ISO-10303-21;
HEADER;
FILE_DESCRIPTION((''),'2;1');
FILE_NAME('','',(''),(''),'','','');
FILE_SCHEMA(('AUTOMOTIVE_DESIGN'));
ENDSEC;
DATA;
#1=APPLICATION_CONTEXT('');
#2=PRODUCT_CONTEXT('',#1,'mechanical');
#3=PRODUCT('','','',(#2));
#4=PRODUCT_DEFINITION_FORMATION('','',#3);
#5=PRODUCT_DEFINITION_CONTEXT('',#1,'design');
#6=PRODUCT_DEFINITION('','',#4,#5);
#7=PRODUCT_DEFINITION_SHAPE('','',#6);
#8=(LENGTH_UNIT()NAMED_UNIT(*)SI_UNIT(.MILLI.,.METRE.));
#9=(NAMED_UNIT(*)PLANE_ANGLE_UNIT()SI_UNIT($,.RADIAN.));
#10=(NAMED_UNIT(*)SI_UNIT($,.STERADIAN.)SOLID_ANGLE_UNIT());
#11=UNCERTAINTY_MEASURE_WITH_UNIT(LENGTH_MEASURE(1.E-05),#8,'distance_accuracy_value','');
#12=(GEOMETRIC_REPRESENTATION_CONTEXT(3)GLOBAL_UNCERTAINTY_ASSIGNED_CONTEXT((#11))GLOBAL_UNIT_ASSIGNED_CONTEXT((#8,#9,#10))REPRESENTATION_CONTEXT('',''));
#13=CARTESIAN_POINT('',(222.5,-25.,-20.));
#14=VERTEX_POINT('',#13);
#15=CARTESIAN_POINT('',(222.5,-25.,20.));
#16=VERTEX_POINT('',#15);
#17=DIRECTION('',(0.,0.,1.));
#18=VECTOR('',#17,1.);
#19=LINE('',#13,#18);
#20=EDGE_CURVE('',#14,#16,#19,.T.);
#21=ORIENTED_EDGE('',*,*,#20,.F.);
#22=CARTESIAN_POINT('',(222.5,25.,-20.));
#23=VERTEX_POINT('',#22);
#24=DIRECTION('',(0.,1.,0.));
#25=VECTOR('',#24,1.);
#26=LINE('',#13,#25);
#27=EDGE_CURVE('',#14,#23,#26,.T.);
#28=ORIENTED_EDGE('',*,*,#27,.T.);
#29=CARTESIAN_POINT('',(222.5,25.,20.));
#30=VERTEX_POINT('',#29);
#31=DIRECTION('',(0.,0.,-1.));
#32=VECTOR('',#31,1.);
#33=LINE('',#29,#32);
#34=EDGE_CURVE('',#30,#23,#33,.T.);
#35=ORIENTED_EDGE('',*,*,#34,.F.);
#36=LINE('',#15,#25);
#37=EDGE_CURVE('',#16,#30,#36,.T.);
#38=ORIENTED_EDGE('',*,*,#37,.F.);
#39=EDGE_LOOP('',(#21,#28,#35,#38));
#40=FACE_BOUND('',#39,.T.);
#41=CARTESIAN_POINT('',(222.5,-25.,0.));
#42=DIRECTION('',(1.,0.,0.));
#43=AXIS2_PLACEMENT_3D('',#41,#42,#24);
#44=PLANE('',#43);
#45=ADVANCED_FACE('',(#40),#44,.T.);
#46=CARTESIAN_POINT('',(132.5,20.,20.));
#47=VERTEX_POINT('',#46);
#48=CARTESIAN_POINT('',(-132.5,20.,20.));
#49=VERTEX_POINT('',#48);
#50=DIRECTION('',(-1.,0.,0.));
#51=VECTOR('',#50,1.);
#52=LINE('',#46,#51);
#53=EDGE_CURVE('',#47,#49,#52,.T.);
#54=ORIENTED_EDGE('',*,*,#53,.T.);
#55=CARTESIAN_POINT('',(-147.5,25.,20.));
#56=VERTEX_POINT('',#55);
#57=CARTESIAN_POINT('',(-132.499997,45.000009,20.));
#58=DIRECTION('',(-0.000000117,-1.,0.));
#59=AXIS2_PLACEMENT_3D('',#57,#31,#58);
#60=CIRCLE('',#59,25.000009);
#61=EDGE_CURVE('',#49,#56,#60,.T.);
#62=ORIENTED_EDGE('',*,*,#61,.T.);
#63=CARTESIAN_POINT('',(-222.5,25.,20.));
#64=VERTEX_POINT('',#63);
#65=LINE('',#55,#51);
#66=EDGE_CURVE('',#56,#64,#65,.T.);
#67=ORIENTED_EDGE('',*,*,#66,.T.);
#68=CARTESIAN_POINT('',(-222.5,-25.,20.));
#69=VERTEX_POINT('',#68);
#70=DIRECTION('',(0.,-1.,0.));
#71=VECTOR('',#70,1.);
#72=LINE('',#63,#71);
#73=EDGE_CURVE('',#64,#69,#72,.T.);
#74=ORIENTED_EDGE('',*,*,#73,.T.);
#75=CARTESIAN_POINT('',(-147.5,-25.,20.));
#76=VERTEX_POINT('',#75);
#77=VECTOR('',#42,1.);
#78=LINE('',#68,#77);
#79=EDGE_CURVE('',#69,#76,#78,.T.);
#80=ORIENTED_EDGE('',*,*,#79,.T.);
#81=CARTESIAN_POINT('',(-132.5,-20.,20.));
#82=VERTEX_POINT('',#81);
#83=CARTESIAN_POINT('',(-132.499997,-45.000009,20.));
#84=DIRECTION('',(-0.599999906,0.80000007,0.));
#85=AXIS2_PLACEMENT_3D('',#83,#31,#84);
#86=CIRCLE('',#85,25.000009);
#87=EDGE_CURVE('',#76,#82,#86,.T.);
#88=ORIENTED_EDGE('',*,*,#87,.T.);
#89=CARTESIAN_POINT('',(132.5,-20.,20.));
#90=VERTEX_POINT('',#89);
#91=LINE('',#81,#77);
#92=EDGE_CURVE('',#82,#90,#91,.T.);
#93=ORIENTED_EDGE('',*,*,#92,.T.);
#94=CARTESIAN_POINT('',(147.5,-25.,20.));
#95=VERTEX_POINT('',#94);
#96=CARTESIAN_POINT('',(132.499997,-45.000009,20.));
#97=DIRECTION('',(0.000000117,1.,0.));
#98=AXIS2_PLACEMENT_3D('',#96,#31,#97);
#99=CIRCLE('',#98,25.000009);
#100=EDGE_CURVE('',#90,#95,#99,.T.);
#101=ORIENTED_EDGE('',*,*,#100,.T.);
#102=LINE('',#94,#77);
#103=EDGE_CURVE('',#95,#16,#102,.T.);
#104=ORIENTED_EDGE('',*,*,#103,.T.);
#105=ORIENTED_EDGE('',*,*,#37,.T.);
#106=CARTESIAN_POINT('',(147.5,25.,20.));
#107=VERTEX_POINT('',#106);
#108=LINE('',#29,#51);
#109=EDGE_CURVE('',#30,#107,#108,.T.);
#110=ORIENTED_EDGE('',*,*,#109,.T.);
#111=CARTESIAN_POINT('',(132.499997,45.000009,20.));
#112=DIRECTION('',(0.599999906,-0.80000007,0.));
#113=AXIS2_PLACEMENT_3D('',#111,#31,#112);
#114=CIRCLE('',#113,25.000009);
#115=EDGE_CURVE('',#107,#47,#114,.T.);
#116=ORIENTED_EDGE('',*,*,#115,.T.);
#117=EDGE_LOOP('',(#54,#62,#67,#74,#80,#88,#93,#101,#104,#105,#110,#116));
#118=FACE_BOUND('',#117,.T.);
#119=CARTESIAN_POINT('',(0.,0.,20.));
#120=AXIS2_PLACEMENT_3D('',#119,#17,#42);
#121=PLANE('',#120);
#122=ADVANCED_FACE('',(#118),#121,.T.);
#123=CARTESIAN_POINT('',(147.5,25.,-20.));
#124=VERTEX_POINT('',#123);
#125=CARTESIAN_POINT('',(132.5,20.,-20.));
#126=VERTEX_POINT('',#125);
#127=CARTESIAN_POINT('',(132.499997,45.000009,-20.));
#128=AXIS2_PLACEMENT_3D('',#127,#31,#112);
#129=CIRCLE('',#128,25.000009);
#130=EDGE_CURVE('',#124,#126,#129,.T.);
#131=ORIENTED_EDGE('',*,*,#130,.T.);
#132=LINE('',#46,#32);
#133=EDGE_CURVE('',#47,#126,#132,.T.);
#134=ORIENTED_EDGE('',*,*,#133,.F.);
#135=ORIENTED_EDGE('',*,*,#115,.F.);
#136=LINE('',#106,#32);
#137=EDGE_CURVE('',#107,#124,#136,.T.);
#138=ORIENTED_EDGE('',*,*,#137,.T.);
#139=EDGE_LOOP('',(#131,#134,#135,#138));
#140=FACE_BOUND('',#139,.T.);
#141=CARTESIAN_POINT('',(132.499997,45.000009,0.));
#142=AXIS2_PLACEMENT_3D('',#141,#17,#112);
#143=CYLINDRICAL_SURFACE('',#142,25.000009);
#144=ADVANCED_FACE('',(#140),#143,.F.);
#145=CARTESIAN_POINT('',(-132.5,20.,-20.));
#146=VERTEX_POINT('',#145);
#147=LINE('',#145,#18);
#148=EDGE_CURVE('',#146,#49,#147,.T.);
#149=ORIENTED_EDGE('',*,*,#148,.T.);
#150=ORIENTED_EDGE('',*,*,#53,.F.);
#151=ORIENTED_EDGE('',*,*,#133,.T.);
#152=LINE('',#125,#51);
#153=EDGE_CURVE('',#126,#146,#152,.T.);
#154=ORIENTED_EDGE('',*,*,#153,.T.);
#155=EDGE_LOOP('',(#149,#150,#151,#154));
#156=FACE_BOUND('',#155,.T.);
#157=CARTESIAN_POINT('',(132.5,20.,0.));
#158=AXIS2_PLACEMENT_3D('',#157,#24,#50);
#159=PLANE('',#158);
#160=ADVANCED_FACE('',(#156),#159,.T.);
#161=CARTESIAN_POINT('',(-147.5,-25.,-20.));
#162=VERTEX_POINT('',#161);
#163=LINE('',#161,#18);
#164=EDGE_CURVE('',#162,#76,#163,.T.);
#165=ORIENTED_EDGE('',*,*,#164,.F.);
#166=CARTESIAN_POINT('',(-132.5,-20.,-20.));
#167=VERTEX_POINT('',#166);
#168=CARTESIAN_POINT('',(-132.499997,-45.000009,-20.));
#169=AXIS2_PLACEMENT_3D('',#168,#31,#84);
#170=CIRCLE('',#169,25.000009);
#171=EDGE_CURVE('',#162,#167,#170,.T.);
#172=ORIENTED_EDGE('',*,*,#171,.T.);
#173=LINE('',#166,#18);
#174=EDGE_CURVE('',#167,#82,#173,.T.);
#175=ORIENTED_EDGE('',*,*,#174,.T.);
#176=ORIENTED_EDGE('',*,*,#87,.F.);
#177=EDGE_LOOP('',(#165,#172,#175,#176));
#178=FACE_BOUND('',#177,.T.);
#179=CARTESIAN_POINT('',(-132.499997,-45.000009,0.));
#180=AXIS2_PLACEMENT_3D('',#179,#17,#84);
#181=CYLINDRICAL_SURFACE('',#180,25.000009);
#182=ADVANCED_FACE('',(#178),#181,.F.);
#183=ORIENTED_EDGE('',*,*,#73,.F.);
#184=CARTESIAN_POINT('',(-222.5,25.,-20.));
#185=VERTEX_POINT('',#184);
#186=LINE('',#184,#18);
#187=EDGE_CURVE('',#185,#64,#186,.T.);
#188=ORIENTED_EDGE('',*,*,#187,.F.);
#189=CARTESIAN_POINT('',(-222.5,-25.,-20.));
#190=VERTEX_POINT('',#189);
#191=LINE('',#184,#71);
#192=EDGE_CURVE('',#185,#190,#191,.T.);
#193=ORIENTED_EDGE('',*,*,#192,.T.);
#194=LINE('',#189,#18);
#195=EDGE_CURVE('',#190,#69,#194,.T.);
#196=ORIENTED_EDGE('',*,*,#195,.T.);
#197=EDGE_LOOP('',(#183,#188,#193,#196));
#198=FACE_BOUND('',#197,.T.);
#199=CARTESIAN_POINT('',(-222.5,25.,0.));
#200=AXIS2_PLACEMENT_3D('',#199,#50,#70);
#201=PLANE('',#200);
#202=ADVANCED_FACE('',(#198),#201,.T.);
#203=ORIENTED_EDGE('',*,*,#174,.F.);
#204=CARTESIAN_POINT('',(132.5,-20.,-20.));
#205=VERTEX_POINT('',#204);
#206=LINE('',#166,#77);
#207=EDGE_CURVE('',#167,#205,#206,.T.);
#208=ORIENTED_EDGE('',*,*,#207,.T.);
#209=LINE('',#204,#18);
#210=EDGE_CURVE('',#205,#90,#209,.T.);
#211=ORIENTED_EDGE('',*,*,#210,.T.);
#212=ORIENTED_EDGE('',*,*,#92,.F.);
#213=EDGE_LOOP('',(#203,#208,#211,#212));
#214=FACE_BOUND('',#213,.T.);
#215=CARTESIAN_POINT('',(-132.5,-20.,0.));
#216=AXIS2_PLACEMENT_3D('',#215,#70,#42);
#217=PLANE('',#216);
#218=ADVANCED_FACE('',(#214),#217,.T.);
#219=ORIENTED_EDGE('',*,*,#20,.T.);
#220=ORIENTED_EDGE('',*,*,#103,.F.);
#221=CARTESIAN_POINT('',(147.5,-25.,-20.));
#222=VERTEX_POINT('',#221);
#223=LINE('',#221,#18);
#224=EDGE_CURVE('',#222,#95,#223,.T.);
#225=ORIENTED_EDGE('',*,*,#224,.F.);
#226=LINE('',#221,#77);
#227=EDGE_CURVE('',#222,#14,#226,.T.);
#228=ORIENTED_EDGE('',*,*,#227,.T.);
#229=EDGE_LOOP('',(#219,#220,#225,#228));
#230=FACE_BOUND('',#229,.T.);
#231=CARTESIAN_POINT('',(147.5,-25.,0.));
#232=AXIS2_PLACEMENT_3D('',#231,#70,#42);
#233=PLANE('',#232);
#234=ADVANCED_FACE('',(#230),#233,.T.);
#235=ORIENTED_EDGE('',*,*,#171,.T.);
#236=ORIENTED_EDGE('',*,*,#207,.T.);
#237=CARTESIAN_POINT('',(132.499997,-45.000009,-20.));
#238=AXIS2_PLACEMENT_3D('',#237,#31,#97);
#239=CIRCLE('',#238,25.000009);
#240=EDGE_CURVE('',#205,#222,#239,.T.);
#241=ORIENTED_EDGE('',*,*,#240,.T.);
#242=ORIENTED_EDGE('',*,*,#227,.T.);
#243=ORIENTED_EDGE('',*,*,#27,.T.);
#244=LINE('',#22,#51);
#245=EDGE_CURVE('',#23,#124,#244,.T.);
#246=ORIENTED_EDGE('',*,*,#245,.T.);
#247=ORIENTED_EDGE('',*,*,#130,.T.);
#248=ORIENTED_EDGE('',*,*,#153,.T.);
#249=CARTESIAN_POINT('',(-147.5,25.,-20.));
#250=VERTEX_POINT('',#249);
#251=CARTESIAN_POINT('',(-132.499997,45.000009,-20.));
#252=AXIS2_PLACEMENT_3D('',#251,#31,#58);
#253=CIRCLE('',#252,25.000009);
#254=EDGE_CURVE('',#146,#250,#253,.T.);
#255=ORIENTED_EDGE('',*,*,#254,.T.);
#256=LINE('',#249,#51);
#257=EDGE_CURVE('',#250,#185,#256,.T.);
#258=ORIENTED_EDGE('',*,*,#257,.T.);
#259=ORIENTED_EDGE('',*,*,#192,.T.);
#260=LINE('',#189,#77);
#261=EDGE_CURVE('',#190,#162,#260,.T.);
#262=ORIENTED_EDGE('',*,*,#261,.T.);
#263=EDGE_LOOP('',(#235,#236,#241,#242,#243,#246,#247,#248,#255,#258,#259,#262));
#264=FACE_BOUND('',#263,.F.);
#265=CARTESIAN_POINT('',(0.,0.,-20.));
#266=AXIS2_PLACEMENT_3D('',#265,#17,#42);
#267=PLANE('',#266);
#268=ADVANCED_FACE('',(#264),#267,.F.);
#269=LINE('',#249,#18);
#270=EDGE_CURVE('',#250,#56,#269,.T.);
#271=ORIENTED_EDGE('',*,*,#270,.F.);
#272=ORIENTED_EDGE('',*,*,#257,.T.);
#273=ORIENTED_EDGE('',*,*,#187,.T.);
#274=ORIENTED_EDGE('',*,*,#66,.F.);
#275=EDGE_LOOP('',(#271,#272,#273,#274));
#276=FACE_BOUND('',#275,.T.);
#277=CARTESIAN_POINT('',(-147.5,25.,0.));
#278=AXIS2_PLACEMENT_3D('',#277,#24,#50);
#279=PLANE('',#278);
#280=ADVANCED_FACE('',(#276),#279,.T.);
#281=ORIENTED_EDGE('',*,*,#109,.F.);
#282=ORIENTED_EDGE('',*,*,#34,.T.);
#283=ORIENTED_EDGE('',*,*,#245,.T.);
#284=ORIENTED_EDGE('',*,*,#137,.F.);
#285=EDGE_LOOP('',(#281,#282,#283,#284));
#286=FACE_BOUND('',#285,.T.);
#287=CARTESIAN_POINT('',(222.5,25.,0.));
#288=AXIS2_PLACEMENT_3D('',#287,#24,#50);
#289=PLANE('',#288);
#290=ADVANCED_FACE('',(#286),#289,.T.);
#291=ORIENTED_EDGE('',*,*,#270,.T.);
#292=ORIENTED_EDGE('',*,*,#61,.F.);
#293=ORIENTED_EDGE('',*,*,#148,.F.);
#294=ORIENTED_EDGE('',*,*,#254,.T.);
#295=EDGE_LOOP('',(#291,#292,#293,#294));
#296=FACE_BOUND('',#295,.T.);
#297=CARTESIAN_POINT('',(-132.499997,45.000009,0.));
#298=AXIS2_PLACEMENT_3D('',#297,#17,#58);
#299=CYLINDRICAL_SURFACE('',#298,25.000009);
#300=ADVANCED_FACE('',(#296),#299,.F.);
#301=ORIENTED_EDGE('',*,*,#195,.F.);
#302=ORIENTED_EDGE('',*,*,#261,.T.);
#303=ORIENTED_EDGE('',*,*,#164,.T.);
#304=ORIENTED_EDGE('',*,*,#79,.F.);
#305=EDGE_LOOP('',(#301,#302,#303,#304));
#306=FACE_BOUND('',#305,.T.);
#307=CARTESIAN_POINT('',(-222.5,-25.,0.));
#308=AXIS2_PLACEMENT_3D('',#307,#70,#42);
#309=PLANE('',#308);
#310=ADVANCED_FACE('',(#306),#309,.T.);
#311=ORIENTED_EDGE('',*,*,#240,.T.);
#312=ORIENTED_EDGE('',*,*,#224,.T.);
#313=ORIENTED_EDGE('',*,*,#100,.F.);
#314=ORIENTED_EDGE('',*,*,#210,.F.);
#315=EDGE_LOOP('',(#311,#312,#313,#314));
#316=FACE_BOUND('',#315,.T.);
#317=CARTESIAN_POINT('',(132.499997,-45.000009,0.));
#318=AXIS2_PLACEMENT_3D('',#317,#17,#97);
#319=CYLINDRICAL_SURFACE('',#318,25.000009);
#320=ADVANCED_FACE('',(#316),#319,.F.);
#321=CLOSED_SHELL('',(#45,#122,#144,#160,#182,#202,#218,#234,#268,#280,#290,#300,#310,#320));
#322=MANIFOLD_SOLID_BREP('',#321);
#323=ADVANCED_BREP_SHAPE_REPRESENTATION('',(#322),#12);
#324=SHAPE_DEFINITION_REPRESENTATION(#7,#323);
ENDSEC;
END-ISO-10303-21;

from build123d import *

# Parameters (mm, degrees)
F1_DEPTH = 20


with BuildPart() as f1:
    # F0 (on Top) → F1 (new body, symmetric)
    with BuildSketch(Plane.XY):
        with BuildLine():
            Line((132.5, 20), (0, 20))
            Line((0, 20), (-132.5, 20))
            ThreePointArc((-132.5, 20), (-140.405694, 21.282918), (-147.5, 25))
            Line((-147.5, 25), (-222.5, 25))
            Line((-222.5, 25), (-222.5, 0))
            Line((-222.5, 0), (-222.5, -25))
            Line((-222.5, -25), (-147.5, -25))
            ThreePointArc((-147.5, -25), (-140.405694, -21.282918), (-132.5, -20))
            Line((-132.5, -20), (0, -20))
            Line((0, -20), (132.5, -20))
            ThreePointArc((132.5, -20), (140.405694, -21.282918), (147.5, -25))
            Line((147.5, -25), (222.5, -25))
            Line((222.5, -25), (222.5, 0))
            Line((222.5, 0), (222.5, 25))
            Line((222.5, 25), (147.5, 25))
            ThreePointArc((147.5, 25), (140.405694, 21.282918), (132.5, 20))
        make_face()
    extrude(amount=F1_DEPTH, both=True)


solid = f1.part
